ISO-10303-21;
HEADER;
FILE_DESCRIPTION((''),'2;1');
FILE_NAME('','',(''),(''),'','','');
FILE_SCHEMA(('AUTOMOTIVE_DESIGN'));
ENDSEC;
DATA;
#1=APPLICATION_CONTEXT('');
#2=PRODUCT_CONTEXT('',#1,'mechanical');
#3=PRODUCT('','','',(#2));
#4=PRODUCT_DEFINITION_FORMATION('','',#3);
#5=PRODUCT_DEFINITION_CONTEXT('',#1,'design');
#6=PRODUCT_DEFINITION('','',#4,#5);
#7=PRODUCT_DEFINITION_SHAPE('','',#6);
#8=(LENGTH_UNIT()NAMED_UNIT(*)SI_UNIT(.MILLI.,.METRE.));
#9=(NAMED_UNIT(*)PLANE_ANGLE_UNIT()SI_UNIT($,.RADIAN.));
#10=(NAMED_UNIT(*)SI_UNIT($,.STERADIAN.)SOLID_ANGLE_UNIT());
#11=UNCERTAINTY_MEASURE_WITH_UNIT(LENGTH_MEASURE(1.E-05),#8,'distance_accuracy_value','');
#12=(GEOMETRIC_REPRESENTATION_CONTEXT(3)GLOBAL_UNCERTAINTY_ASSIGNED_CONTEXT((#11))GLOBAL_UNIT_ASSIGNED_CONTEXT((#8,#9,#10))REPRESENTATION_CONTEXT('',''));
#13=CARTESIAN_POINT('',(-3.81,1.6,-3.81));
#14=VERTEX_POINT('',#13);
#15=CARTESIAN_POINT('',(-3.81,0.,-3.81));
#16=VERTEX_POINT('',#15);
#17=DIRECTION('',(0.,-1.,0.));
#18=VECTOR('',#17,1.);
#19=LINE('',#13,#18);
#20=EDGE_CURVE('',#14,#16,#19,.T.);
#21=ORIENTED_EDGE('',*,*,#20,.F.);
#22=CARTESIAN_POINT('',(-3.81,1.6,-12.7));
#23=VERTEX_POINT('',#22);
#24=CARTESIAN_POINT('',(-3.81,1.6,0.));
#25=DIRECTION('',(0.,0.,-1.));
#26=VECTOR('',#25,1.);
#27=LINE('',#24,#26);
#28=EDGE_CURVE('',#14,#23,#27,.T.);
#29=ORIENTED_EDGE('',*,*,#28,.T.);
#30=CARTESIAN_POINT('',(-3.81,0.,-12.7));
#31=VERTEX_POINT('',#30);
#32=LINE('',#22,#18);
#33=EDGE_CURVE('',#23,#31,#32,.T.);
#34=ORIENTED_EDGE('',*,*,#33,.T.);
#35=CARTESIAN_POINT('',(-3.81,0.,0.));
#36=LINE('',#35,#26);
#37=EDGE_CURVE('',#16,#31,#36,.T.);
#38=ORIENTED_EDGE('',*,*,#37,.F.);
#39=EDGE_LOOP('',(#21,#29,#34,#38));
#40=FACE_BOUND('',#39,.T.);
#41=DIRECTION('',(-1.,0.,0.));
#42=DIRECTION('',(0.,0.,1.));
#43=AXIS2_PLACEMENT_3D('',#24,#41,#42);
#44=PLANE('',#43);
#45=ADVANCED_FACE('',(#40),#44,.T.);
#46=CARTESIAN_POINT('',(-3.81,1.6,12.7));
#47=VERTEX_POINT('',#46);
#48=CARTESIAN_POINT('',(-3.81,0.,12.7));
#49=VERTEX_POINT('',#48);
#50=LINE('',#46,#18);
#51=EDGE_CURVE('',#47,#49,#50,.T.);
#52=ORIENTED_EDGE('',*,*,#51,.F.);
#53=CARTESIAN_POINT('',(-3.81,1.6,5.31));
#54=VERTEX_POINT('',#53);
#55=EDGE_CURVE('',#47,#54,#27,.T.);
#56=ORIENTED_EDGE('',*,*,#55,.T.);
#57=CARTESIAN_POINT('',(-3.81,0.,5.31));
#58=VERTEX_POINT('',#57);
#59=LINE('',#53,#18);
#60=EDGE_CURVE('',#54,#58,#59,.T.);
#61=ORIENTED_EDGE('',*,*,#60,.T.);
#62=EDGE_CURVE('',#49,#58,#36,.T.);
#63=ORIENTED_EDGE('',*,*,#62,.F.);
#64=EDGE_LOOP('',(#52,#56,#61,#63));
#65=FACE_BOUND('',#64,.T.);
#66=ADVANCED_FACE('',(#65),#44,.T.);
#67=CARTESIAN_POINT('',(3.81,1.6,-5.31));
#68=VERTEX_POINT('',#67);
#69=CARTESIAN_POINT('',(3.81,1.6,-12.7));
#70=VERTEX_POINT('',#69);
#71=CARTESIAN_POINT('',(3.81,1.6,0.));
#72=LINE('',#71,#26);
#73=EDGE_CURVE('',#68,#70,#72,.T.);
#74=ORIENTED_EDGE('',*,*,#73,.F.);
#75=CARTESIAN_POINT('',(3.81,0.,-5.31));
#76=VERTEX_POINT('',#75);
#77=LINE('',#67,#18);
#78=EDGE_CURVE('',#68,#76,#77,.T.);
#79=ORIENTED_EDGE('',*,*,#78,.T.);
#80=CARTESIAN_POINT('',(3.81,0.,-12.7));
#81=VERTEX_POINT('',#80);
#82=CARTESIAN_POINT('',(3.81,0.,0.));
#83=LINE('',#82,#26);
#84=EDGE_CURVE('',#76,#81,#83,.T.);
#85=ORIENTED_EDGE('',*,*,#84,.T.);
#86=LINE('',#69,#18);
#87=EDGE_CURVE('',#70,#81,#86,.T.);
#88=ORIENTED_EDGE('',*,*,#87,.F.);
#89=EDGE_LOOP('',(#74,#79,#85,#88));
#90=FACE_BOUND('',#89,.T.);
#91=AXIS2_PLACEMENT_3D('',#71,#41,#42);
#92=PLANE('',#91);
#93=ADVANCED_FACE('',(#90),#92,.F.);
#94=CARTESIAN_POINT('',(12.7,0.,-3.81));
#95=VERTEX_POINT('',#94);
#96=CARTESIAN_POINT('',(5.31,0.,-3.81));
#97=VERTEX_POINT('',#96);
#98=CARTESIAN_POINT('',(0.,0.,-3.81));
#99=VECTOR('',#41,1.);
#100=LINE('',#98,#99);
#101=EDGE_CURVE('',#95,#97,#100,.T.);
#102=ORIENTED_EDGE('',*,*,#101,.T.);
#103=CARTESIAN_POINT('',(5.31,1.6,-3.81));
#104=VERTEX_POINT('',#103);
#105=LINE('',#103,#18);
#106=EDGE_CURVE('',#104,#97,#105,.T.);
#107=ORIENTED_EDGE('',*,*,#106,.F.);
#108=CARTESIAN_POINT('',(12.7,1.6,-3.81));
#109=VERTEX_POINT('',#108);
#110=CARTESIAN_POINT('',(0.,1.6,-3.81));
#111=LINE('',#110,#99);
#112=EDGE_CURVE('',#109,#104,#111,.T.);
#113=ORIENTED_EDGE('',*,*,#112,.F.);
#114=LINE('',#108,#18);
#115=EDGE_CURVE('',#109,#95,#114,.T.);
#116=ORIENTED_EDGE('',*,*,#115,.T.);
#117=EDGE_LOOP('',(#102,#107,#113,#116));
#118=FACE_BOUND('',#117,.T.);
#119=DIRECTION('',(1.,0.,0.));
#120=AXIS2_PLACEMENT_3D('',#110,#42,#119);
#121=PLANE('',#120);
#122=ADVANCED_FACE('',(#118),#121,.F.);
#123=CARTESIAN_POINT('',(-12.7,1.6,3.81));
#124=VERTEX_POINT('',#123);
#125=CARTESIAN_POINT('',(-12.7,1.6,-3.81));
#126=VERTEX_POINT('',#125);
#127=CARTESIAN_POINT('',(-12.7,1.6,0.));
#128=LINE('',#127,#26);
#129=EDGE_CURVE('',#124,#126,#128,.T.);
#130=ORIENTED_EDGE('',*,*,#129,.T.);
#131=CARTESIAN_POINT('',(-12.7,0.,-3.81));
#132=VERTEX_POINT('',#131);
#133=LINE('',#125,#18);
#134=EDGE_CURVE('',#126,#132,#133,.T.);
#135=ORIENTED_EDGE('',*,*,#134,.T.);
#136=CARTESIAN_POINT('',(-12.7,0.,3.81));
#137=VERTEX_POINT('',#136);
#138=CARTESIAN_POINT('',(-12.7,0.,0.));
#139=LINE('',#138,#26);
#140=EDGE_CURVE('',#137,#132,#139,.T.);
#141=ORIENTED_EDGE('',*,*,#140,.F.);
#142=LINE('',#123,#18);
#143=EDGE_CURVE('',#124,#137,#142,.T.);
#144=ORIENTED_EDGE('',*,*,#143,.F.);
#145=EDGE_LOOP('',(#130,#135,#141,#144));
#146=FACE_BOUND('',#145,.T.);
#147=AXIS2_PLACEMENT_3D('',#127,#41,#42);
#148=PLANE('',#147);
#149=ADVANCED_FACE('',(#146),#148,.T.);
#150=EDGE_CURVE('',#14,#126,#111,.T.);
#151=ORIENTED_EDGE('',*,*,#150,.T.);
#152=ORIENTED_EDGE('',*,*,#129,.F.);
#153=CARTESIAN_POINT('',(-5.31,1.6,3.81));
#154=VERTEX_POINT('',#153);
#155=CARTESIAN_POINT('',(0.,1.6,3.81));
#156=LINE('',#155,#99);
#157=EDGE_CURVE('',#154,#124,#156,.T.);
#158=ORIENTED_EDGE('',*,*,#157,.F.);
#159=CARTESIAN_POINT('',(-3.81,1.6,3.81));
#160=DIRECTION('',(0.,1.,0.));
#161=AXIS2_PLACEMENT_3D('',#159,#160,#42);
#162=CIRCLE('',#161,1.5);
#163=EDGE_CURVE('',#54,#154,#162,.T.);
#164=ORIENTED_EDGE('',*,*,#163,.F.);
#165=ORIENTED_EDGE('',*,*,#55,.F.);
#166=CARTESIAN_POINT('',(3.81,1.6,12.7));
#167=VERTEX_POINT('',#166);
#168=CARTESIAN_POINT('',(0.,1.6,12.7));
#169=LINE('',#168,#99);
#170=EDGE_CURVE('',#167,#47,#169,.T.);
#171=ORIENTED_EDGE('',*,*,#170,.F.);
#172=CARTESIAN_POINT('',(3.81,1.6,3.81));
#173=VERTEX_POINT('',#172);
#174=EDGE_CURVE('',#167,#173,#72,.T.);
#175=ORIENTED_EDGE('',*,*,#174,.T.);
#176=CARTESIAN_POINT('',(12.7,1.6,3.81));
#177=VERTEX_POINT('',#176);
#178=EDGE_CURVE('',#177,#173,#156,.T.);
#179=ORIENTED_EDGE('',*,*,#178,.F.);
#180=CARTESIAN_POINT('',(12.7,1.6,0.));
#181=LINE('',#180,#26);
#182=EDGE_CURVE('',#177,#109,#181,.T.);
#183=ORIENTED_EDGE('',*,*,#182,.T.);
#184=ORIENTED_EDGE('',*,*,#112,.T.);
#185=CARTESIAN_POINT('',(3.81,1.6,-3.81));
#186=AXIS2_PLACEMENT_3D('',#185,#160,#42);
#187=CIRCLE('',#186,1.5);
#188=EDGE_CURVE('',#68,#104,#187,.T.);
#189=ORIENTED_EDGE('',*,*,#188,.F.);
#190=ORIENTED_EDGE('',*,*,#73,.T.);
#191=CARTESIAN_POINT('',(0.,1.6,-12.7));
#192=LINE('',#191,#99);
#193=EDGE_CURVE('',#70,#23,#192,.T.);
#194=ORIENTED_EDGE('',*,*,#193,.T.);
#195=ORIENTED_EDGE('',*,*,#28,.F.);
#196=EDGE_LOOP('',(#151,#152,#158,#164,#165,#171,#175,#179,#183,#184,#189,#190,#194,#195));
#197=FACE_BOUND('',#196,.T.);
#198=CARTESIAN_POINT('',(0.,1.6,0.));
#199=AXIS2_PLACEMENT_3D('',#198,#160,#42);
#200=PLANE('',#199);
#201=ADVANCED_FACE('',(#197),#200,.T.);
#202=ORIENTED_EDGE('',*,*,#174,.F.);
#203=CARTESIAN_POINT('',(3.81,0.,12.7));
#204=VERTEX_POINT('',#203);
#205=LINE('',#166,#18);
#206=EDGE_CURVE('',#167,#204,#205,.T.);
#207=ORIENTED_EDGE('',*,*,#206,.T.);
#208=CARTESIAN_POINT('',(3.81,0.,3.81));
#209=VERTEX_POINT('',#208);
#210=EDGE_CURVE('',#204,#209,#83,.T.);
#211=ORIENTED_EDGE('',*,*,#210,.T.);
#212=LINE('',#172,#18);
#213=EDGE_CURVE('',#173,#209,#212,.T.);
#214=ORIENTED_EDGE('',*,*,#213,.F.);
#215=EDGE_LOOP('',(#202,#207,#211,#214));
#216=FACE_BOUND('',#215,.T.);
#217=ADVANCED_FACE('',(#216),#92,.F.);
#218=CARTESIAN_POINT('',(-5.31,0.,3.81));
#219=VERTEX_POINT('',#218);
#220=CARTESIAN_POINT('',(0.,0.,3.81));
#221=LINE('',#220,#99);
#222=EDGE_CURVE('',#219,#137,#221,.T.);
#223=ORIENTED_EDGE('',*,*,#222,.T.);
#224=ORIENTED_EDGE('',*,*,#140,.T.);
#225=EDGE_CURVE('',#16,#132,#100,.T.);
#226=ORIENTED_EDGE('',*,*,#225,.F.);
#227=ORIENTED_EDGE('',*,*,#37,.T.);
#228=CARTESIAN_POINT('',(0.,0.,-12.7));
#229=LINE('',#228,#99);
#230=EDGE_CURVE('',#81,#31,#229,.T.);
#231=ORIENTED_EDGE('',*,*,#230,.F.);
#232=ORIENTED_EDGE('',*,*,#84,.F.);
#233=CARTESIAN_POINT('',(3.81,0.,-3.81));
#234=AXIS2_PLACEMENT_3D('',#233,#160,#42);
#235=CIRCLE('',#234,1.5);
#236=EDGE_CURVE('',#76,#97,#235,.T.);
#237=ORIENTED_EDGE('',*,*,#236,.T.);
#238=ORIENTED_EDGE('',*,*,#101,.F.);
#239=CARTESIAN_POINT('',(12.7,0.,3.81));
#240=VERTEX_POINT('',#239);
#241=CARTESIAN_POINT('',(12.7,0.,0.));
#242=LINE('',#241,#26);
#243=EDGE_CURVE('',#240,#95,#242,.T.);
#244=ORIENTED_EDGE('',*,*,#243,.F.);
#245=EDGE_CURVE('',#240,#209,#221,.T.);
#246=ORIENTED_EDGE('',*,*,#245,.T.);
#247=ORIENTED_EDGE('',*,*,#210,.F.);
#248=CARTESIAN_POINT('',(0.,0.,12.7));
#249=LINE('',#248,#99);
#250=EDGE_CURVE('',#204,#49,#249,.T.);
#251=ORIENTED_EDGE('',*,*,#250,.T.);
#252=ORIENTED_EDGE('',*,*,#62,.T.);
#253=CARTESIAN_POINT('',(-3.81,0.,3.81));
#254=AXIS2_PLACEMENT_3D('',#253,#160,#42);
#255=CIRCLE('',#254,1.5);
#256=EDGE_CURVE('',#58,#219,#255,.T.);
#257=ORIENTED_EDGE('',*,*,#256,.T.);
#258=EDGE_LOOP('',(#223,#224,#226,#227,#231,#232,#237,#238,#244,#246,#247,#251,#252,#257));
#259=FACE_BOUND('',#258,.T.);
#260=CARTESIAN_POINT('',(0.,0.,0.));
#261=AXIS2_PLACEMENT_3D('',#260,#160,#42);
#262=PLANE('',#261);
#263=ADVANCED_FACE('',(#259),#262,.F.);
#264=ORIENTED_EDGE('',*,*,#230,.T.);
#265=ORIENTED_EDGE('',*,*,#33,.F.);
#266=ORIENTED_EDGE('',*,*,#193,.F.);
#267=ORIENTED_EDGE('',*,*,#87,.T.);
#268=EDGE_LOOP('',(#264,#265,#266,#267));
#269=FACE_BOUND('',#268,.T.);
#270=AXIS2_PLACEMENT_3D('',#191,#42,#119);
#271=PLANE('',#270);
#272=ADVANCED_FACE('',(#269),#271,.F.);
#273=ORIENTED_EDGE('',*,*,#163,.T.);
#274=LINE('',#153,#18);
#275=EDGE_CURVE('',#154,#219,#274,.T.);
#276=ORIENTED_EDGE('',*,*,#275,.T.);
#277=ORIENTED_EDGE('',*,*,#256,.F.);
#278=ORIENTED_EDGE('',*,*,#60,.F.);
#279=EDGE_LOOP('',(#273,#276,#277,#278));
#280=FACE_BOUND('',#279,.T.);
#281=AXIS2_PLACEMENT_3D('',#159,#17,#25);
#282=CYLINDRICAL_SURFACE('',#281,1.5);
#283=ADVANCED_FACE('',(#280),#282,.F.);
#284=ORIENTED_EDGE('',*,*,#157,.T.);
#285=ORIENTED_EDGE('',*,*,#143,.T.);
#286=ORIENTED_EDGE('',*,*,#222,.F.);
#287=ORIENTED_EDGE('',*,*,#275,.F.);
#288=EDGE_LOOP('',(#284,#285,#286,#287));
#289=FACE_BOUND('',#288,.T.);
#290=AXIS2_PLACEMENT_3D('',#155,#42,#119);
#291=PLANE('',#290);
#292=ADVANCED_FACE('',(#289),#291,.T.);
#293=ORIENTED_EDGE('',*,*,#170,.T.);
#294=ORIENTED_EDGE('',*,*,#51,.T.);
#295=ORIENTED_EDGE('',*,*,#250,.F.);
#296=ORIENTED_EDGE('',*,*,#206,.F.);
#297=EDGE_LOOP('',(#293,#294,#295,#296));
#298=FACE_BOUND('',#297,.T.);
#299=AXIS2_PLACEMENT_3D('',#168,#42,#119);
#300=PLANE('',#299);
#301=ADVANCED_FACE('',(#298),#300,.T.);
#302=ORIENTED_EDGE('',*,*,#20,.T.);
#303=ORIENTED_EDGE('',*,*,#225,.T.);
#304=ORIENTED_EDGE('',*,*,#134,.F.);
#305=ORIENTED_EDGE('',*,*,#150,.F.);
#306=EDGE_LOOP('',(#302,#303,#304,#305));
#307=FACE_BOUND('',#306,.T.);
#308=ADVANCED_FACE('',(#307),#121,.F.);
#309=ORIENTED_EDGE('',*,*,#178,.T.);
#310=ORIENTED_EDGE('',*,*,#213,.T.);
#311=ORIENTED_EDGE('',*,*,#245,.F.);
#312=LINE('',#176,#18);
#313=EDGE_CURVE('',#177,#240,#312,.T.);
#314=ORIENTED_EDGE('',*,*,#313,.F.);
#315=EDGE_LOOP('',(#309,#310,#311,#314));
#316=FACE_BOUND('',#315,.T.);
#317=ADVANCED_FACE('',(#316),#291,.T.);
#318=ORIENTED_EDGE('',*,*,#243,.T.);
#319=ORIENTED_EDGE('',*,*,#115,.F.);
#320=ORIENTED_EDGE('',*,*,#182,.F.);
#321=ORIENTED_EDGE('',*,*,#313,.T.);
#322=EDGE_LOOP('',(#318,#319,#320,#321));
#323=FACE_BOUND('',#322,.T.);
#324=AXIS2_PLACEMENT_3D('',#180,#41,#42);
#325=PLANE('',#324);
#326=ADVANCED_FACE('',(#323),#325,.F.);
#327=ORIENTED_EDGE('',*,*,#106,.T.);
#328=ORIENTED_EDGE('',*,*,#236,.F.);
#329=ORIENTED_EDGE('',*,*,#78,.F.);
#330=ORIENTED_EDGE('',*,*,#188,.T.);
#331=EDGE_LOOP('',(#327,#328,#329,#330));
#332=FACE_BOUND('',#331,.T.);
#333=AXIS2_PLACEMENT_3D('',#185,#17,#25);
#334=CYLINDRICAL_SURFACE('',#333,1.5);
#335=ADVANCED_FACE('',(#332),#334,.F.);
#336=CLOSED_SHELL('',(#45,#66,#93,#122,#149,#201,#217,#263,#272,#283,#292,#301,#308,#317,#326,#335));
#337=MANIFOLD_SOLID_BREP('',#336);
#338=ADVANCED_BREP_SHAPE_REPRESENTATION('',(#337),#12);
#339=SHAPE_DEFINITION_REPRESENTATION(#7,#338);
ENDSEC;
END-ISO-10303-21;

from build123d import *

# Parameters (mm, degrees)
BOSS_EXTRUDE1_DEPTH = 1.6


with BuildPart() as part:
    # Sketch1 → Boss-Extrude1 (new body)
    with BuildSketch(Plane(origin=(0, 0, 0), x_dir=(1, 0, 0), z_dir=(0, 1, 0))):
        with BuildLine():
            Line((-12.7, -3.81), (-5.31, -3.81))
            ThreePointArc((-5.31, -3.81), (-4.870660172, -2.749339828), (-3.81, -2.31))
            Line((-3.81, -2.31), (-3.81, 3.81))
            Line((-3.81, 3.81), (-12.7, 3.81))
            Line((-12.7, 3.81), (-12.7, -3.81))
        make_face()
        with BuildLine():
            Line((-2.31, -3.81), (3.81, -3.81))
            Line((3.81, -3.81), (3.81, 2.31))
            ThreePointArc((3.81, 2.31), (2.749339828, 2.749339828), (2.31, 3.81))
            Line((2.31, 3.81), (-3.81, 3.81))
            Line((-3.81, 3.81), (-3.81, -2.31))
            ThreePointArc((-3.81, -2.31), (-2.749339828, -2.749339828), (-2.31, -3.81))
        make_face()
        with BuildLine():
            Line((-3.81, -12.7), (3.81, -12.7))
            Line((3.81, -12.7), (3.81, -3.81))
            Line((3.81, -3.81), (-2.31, -3.81))
            ThreePointArc((-2.31, -3.81), (-2.749339828, -4.870660172), (-3.81, -5.31))
            Line((-3.81, -5.31), (-3.81, -12.7))
        make_face()
        with BuildLine():
            Line((3.81, 2.31), (3.81, -3.81))
            Line((3.81, -3.81), (12.7, -3.81))
            Line((12.7, -3.81), (12.7, 3.81))
            Line((12.7, 3.81), (5.31, 3.81))
            ThreePointArc((5.31, 3.81), (4.870660172, 2.749339828), (3.81, 2.31))
        make_face()
        with BuildLine():
            Line((-3.81, 3.81), (2.31, 3.81))
            ThreePointArc((2.31, 3.81), (2.749339828, 4.870660172), (3.81, 5.31))
            Line((3.81, 5.31), (3.81, 12.7))
            Line((3.81, 12.7), (-3.81, 12.7))
            Line((-3.81, 12.7), (-3.81, 3.81))
        make_face()
    extrude(amount=BOSS_EXTRUDE1_DEPTH)


solid = part.part
